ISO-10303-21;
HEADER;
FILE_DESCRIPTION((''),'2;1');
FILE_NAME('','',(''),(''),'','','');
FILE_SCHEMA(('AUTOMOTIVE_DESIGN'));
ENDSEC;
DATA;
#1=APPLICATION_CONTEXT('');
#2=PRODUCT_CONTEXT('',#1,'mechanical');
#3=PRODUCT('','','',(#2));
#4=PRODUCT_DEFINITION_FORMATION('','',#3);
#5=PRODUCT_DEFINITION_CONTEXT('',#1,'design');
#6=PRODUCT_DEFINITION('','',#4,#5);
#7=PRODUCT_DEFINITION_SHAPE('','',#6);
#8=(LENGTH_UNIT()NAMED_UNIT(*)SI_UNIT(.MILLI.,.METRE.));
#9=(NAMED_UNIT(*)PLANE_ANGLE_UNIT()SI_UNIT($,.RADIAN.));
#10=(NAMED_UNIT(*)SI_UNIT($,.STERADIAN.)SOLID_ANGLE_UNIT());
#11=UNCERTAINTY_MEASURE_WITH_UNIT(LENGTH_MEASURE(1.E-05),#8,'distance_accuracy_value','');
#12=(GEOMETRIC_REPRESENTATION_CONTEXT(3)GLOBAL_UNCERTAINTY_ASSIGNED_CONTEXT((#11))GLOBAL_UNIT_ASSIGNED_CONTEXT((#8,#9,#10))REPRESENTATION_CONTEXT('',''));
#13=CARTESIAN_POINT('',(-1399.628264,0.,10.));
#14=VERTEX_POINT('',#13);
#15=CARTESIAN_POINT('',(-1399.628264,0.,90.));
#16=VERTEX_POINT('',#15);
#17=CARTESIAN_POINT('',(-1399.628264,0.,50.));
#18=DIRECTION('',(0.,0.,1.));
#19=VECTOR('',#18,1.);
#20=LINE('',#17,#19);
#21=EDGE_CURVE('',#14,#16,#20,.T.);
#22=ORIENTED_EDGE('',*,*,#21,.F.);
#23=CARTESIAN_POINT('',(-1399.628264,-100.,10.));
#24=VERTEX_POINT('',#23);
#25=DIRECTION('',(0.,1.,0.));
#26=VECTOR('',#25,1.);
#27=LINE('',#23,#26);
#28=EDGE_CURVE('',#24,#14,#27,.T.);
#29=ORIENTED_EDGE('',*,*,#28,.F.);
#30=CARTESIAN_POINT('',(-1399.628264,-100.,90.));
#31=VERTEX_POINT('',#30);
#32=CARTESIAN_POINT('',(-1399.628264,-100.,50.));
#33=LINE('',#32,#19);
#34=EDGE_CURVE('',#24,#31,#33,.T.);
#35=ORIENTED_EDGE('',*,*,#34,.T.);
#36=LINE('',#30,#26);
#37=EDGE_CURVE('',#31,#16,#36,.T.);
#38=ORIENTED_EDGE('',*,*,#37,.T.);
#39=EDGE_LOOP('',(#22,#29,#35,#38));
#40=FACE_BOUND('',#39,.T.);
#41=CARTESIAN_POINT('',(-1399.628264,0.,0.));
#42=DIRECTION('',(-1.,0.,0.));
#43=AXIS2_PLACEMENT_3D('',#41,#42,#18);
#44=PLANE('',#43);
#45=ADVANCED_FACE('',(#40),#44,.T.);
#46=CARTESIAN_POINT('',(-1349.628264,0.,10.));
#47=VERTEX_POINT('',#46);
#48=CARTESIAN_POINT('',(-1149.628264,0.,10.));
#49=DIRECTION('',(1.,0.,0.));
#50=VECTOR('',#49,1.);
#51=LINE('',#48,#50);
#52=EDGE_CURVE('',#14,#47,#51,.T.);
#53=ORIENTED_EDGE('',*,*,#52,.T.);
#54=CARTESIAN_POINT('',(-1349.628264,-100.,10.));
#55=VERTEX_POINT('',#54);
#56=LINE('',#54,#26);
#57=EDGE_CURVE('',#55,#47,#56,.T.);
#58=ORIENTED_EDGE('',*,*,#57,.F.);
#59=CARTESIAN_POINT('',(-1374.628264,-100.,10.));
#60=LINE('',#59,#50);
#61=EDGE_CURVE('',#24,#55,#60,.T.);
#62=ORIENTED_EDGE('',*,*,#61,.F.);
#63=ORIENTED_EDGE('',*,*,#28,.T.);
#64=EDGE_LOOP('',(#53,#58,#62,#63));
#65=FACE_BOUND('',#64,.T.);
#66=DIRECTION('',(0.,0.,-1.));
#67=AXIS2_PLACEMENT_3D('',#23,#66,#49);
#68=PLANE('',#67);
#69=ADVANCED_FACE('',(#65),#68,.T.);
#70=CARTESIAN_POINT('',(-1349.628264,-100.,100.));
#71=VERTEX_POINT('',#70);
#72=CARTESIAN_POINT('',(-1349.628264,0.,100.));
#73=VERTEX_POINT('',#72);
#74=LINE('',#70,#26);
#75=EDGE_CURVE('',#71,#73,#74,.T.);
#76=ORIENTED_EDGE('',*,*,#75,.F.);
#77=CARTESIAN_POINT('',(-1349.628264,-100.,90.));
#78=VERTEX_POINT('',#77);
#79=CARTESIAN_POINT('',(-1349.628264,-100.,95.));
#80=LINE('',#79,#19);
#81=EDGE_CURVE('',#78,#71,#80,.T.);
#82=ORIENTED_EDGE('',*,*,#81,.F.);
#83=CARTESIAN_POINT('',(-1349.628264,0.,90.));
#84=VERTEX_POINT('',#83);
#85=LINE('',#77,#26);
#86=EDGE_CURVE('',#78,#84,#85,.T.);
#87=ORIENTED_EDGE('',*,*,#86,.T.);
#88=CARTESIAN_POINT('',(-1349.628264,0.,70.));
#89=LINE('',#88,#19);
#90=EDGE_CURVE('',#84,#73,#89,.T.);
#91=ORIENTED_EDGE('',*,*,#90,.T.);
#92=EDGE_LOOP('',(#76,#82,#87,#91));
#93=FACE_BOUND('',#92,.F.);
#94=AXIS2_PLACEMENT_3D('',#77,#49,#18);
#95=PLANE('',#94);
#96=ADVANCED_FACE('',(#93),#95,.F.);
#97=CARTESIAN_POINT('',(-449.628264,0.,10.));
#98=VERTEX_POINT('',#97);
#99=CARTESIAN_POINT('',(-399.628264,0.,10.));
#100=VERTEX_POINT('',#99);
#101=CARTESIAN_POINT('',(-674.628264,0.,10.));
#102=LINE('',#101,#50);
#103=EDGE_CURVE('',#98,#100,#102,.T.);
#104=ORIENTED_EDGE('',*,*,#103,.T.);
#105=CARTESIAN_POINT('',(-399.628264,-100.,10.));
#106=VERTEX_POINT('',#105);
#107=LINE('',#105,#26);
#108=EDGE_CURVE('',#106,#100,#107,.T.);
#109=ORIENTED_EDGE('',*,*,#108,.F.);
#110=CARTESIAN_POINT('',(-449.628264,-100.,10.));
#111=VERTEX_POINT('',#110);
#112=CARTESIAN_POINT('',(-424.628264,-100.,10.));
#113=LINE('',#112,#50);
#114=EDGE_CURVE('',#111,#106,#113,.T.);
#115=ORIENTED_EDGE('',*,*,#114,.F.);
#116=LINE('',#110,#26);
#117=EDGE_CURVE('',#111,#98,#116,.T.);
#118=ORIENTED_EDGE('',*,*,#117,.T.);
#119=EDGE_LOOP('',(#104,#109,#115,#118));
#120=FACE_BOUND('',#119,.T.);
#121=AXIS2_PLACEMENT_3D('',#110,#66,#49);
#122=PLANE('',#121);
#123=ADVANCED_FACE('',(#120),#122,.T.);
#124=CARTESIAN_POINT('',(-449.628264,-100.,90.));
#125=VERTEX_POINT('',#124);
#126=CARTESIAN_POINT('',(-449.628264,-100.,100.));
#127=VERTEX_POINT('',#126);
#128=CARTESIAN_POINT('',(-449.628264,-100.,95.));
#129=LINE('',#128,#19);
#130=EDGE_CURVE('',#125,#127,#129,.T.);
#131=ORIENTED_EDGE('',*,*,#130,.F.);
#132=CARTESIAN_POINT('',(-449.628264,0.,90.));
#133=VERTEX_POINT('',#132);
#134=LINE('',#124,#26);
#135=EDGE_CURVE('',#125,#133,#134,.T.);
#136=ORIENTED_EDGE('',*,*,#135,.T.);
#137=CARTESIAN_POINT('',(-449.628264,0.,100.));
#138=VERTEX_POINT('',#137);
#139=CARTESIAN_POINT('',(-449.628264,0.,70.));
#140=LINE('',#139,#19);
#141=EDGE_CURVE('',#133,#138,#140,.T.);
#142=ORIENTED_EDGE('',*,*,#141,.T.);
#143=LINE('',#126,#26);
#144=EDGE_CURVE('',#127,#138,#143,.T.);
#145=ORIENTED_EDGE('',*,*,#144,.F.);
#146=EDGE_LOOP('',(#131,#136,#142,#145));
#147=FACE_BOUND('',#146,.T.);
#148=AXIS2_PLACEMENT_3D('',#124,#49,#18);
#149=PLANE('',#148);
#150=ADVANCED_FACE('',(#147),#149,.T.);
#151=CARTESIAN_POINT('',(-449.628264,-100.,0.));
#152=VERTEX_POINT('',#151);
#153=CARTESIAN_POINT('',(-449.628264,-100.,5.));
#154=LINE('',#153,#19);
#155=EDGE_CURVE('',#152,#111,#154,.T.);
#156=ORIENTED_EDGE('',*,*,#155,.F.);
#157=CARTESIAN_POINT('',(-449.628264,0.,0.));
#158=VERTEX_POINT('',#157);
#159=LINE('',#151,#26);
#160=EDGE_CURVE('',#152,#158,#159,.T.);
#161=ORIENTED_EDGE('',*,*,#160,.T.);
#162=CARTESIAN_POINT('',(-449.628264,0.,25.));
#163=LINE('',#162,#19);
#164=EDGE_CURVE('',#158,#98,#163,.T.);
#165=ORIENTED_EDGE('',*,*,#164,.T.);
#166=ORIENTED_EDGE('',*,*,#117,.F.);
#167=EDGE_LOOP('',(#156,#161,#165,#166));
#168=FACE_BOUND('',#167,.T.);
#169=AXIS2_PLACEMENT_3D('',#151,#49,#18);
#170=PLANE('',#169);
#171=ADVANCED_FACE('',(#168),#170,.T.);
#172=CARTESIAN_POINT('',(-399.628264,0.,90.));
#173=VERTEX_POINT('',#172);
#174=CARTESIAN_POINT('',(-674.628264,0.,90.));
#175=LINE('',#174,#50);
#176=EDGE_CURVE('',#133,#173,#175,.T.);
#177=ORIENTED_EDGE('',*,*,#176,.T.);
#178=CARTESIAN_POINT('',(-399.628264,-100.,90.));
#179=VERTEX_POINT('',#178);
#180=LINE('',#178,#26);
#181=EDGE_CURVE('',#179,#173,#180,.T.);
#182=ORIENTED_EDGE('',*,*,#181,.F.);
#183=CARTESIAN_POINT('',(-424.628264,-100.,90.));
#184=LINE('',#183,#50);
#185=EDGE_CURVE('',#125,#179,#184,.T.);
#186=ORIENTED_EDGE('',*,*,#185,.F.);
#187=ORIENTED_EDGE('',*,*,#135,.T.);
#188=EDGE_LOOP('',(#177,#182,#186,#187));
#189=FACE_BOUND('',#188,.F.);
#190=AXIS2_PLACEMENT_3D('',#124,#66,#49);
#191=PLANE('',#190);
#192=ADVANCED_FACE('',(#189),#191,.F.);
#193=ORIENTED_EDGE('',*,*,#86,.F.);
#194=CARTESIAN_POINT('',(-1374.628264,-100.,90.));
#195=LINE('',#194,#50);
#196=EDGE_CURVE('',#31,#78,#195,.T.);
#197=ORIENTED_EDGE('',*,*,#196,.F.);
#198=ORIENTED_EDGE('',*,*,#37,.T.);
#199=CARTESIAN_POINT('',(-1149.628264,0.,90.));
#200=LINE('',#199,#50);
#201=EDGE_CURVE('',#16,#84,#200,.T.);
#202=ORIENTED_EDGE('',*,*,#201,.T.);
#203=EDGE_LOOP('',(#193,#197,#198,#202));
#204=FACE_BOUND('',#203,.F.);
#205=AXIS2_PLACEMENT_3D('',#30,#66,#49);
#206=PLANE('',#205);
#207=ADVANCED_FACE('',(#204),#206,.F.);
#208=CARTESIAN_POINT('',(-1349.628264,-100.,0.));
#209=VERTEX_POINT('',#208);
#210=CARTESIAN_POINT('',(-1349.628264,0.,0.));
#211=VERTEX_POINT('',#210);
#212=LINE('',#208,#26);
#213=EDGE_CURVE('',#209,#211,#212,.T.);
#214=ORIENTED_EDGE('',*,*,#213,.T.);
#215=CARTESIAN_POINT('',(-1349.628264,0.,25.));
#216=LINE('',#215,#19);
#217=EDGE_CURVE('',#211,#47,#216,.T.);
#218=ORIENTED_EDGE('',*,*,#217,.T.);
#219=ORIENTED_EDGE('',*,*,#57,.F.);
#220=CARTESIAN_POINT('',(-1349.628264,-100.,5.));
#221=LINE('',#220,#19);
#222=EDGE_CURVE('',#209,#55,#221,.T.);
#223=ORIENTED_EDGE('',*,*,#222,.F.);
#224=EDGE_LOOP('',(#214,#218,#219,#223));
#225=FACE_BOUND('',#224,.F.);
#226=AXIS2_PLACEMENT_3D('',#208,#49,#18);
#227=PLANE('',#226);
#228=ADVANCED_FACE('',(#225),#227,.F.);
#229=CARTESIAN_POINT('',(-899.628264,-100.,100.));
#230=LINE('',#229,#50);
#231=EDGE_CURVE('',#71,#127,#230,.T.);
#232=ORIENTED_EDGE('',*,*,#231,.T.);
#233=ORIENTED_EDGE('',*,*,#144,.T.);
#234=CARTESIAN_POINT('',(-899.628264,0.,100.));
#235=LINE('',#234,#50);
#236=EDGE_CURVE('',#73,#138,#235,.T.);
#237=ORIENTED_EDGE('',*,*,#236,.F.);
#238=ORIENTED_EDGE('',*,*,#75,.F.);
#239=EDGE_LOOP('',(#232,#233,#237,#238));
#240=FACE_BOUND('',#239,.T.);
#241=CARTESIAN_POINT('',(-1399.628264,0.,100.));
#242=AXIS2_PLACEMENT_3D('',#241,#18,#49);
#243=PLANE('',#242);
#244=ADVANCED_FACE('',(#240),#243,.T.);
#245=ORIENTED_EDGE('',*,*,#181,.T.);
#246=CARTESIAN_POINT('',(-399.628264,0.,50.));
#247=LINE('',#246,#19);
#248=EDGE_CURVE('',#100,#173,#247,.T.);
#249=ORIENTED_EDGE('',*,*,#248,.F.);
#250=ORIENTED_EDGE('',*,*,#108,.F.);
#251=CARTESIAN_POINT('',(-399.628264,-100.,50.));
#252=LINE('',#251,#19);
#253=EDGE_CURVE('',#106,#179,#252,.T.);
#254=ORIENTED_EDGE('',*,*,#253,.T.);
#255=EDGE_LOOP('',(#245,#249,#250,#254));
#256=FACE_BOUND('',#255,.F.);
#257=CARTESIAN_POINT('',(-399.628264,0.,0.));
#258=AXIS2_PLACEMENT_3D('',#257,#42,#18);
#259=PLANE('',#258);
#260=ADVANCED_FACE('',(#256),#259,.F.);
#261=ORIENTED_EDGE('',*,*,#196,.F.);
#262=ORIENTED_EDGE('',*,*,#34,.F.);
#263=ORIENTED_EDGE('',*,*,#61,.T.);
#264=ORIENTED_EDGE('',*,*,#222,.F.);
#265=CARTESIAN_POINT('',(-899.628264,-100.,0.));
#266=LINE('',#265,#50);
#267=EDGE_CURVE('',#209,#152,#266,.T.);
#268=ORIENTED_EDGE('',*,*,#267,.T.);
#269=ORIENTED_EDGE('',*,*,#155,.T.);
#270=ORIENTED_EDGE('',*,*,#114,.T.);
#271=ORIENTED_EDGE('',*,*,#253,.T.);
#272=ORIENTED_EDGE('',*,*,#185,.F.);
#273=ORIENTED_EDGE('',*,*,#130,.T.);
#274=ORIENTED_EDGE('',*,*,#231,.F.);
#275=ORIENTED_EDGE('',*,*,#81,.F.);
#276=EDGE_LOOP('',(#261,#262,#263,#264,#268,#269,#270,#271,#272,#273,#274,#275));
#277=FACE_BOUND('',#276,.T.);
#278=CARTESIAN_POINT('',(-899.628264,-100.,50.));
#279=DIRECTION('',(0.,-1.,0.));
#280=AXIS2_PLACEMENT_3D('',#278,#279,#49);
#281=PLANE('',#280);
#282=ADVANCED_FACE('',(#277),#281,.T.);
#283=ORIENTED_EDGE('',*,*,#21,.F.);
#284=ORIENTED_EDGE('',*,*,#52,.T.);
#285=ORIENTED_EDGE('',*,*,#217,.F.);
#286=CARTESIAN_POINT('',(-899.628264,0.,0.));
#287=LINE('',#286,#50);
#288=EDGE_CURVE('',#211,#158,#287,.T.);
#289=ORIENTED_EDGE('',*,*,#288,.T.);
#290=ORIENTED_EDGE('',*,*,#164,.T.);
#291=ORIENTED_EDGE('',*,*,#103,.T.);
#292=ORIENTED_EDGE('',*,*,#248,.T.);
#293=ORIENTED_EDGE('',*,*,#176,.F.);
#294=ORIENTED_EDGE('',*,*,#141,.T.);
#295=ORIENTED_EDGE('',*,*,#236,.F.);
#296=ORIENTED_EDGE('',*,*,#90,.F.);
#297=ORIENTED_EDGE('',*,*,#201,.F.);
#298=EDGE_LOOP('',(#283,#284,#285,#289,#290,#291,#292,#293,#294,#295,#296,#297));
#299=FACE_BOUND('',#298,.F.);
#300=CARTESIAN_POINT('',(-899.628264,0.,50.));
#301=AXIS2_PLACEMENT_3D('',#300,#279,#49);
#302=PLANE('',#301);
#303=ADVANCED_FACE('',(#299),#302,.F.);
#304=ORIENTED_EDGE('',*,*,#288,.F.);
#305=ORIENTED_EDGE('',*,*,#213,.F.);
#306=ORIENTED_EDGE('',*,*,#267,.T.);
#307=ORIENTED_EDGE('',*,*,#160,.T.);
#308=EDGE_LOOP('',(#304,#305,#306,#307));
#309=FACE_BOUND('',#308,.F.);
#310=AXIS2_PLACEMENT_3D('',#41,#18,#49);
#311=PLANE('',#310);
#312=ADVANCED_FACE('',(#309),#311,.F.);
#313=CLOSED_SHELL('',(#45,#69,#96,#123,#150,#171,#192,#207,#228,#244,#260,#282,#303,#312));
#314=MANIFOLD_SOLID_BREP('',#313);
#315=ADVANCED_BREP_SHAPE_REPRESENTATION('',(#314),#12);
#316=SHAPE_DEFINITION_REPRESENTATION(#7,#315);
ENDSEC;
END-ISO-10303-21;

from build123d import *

# Parameters (mm, degrees)
F0_W     = 1000
F0_H     = 100
F1_DEPTH = 100
F2_W     = 50
F2_H     = 10
F3_DEPTH = 100.001


with BuildPart() as f1:
    # F0 (on Front) → F1 (new body)
    with BuildSketch(Plane.XZ):
        with Locations((-899.628264, 50)):
            Rectangle(F0_W, F0_H)
    extrude(amount=F1_DEPTH)

    # F2 (on face) → F3 (cut, through all)
    with BuildSketch(Plane.XZ.offset(100)):
        with Locations((-424.628264, 95)):
            Rectangle(F2_W, F2_H)
        with Locations((-424.628264, 5)):
            Rectangle(F2_W, F2_H)
        with Locations((-1374.628264, 95)):
            Rectangle(F2_W, F2_H)
        with Locations((-1374.628264, 5)):
            Rectangle(F2_W, F2_H)
    extrude(amount=-F3_DEPTH, mode=Mode.SUBTRACT)


solid = f1.part
